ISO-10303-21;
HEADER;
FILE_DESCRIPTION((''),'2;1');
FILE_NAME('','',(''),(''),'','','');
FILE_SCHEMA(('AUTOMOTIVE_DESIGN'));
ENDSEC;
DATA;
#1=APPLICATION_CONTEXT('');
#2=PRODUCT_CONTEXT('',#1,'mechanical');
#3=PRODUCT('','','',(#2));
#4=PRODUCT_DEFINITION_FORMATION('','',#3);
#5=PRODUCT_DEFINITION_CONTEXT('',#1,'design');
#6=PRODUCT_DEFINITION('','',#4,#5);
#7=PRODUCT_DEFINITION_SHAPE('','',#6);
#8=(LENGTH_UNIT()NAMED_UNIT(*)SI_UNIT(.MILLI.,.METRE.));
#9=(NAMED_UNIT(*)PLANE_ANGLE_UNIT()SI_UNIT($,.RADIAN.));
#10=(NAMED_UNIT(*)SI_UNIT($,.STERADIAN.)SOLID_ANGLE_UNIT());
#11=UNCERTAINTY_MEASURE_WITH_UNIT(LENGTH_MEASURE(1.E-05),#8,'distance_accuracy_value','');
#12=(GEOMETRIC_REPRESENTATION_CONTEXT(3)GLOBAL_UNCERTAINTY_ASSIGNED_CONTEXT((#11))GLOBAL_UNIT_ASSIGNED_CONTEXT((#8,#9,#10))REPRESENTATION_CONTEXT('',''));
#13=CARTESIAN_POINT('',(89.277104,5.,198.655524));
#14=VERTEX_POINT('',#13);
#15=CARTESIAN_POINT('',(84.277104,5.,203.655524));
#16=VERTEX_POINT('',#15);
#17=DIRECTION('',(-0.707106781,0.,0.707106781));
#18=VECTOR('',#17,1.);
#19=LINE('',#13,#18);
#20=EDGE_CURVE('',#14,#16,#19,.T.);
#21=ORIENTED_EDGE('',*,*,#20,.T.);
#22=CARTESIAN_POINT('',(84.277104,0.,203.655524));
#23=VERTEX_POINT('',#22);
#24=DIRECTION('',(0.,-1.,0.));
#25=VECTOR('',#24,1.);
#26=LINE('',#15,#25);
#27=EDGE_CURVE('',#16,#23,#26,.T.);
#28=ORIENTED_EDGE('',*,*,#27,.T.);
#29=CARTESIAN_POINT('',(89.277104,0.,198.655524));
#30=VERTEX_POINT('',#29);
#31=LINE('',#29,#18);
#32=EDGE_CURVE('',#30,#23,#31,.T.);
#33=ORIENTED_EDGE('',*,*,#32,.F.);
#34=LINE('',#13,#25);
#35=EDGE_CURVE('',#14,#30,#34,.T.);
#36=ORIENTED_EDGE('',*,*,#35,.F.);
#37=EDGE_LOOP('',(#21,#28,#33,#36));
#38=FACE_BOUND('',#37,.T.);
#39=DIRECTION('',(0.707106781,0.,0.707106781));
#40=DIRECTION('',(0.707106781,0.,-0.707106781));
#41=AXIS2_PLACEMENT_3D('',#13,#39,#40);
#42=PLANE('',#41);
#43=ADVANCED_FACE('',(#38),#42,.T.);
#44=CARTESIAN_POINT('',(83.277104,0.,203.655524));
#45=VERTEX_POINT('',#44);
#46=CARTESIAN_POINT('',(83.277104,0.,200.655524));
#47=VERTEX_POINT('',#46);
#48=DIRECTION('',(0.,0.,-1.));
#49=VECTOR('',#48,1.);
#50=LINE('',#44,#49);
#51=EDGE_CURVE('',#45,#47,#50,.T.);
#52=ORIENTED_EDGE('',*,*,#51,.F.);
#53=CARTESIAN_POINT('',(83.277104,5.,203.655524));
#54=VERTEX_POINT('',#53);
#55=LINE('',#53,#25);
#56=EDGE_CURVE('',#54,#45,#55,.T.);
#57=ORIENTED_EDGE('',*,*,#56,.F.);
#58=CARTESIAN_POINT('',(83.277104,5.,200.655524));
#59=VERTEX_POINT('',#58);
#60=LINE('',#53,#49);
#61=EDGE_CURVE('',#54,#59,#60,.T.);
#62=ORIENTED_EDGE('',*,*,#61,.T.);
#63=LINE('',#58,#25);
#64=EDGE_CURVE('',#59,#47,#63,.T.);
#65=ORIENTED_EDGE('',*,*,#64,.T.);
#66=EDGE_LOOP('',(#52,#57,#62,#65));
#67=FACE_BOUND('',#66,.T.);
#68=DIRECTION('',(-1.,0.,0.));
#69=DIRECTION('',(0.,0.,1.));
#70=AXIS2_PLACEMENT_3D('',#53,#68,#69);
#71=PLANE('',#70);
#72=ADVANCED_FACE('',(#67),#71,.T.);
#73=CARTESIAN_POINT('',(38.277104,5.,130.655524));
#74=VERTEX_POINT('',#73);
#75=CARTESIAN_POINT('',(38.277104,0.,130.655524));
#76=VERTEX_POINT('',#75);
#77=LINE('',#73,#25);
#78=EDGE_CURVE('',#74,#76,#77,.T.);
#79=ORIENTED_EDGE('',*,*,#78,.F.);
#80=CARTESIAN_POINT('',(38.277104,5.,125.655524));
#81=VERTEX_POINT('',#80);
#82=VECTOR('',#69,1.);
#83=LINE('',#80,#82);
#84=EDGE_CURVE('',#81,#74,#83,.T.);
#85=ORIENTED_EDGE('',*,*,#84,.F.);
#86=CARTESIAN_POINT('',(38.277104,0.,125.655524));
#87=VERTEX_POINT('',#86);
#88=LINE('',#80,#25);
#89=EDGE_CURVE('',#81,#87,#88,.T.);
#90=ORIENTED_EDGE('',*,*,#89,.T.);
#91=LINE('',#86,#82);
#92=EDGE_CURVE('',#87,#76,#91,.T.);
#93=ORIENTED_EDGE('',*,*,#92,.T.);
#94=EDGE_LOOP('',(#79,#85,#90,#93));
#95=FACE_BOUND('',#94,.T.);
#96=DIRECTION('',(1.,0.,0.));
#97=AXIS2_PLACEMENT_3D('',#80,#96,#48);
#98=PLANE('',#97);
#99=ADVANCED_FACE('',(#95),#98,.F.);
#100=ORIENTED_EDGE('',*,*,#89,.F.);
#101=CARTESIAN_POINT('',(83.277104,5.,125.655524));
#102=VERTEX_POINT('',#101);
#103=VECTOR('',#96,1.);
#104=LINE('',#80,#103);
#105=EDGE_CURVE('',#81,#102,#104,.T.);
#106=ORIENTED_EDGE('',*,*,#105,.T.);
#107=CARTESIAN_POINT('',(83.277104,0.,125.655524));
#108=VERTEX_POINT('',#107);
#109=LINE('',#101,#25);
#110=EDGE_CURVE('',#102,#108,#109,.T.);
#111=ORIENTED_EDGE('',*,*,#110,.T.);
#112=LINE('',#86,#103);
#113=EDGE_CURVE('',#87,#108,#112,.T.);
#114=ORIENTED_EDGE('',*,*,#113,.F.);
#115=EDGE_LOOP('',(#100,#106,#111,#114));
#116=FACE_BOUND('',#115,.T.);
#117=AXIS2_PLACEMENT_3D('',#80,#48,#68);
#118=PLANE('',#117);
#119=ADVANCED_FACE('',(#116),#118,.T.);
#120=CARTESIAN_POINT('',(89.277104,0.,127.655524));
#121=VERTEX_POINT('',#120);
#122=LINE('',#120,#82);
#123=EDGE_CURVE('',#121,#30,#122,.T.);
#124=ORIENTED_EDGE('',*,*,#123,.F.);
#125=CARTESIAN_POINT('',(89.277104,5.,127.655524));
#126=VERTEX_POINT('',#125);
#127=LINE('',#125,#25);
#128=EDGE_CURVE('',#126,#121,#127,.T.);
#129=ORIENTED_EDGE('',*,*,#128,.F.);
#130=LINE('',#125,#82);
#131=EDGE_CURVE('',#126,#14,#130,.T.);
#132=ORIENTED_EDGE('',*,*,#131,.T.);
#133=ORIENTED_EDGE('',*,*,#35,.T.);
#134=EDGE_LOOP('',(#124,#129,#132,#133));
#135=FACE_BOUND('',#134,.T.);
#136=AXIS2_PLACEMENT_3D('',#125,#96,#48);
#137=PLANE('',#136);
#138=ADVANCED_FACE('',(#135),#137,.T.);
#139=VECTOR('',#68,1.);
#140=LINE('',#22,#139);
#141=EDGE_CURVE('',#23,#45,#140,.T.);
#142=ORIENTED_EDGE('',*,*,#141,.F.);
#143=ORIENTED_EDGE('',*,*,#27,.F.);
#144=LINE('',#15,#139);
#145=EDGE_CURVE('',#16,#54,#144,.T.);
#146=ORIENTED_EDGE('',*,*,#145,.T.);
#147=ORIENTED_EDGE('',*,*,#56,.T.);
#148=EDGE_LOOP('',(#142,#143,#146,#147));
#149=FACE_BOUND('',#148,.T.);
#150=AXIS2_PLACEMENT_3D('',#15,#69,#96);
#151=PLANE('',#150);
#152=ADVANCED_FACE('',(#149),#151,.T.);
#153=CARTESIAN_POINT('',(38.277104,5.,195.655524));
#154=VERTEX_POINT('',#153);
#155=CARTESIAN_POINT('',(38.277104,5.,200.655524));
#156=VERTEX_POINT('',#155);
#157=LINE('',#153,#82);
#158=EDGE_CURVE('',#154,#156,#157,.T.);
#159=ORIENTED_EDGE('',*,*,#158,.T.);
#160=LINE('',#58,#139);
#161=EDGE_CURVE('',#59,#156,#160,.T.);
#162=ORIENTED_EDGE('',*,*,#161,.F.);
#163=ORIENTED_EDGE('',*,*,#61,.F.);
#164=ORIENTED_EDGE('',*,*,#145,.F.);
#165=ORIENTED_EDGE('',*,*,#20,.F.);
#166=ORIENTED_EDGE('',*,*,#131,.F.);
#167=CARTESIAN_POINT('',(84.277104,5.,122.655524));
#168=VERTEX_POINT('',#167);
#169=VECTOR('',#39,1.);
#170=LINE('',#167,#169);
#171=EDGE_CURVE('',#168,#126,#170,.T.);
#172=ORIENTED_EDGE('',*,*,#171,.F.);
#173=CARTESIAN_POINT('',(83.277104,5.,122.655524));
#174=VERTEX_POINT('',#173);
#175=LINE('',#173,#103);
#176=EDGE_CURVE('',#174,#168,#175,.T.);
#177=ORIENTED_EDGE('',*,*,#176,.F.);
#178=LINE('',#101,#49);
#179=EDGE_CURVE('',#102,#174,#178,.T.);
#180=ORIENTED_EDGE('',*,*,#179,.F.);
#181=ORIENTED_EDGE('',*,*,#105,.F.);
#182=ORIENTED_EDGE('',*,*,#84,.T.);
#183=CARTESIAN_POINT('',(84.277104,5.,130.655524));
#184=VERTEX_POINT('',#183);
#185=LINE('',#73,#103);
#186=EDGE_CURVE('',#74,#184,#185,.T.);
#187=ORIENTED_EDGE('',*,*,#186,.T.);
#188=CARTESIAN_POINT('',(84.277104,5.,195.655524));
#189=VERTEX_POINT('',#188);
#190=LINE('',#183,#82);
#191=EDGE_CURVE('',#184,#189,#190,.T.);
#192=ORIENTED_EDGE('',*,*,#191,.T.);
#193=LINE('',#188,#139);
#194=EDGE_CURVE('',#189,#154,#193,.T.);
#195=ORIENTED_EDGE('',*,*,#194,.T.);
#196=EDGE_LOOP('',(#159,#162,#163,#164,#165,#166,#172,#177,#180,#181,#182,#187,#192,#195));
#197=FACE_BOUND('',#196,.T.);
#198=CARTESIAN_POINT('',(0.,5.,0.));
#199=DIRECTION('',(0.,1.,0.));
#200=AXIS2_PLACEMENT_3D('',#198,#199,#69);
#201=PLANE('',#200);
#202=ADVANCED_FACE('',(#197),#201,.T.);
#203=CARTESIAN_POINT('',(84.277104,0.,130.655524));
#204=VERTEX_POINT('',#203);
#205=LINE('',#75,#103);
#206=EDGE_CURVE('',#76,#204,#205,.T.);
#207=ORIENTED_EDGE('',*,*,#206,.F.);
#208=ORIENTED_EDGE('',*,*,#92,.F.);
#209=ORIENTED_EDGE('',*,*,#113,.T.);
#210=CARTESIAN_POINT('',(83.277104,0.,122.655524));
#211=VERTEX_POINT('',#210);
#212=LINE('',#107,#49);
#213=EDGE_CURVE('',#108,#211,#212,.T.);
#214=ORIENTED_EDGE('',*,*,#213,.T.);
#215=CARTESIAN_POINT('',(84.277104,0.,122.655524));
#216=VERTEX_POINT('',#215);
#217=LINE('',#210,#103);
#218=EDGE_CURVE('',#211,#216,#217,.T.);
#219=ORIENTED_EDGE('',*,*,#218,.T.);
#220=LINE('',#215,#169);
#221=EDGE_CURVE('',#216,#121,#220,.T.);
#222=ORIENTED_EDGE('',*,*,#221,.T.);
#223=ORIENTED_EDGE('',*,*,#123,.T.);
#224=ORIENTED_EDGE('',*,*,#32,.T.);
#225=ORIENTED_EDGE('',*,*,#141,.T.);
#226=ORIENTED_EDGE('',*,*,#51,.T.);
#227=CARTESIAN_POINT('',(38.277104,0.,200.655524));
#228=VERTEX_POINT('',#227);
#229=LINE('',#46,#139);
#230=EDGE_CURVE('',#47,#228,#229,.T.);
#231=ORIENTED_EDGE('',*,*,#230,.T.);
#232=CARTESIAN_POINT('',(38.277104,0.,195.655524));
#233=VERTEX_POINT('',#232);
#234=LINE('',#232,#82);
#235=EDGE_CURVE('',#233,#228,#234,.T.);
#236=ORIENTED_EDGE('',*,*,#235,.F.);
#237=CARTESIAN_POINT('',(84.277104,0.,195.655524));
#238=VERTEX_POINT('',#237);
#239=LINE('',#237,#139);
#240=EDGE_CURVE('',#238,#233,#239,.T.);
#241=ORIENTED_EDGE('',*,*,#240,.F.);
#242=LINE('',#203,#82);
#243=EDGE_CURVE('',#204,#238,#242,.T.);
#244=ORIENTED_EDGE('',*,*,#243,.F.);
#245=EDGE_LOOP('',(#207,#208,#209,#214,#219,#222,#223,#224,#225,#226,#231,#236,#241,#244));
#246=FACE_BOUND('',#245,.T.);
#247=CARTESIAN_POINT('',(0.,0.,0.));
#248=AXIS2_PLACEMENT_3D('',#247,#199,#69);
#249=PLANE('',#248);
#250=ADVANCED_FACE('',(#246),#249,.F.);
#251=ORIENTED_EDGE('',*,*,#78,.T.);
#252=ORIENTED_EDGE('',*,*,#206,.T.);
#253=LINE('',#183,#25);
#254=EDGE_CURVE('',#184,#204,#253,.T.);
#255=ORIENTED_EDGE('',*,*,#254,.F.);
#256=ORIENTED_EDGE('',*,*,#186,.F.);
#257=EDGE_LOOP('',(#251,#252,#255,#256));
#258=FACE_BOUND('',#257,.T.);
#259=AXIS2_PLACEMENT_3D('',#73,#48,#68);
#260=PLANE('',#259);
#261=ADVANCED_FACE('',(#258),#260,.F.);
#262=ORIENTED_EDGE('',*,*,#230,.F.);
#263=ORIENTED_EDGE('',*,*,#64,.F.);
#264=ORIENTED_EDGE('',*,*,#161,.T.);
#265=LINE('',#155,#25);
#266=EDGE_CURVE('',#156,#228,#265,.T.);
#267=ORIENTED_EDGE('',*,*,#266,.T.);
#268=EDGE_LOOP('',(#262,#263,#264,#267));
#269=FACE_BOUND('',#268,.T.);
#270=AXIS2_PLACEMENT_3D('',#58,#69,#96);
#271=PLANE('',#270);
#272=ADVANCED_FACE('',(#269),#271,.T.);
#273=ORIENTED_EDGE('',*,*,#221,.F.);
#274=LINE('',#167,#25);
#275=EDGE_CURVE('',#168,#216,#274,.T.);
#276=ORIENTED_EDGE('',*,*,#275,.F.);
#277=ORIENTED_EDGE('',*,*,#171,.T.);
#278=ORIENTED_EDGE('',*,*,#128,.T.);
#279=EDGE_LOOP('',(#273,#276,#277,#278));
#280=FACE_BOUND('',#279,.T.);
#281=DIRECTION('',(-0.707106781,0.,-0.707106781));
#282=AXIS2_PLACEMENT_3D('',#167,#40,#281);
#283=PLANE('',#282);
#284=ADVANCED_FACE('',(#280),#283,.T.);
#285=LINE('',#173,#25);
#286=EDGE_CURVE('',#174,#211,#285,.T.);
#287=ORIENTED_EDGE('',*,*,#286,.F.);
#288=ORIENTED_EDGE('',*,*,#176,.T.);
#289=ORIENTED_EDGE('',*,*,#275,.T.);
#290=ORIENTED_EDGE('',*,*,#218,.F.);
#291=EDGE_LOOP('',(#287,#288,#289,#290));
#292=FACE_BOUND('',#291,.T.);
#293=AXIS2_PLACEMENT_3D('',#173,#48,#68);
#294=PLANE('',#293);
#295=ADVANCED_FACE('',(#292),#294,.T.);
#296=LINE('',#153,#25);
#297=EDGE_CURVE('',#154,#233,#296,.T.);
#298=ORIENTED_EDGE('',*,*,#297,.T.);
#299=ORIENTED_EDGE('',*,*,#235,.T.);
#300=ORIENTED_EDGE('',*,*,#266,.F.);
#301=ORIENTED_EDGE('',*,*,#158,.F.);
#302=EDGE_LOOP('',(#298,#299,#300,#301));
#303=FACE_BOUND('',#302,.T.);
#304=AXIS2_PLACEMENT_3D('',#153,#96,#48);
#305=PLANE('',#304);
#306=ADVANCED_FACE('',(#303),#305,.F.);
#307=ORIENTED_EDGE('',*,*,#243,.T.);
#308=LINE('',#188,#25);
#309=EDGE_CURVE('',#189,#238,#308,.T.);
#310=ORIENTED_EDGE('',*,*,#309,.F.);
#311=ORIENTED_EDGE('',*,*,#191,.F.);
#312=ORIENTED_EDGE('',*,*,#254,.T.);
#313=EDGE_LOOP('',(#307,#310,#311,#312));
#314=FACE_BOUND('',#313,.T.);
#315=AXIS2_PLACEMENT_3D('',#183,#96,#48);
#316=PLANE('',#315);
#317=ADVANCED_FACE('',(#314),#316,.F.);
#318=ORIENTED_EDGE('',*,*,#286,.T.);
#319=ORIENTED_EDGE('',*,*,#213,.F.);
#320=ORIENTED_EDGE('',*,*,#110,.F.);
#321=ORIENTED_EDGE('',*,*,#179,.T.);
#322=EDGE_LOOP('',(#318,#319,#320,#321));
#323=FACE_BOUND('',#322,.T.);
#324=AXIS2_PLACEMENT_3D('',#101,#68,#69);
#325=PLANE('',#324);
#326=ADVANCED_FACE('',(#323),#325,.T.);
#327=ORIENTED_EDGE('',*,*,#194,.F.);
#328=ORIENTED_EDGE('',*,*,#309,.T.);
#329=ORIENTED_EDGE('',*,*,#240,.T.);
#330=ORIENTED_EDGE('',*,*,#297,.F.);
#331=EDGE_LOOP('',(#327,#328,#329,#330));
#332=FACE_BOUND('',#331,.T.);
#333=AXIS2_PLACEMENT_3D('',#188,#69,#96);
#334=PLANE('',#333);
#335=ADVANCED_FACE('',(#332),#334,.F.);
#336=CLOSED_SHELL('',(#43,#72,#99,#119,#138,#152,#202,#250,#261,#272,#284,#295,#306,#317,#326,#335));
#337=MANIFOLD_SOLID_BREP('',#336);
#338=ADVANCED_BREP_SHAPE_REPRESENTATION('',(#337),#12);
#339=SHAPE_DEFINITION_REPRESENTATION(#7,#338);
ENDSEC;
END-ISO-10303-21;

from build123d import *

# Parameters (mm, degrees)
BOSS_EXTRUDE1_DEPTH = 5


with BuildPart() as part:
    # Sketch1 → Boss-Extrude1 (new body)
    with BuildSketch(Plane(origin=(0, 0, 0), x_dir=(1, 0, 0), z_dir=(0, 1, 0))):
        Polygon((38.277103845, -125.655523587), (83.277103845, -125.655523587), (83.277103845, -122.655523587), (84.277103845, -122.655523587), (89.277103845, -127.655523587), (89.277103845, -198.655523587), (84.277103845, -203.655523587), (83.277103845, -203.655523587), (83.277103845, -200.655523587), (38.277103845, -200.655523587), (38.277103845, -195.655523587), (84.277103845, -195.655523587), (84.277103845, -130.655523587), (38.277103845, -130.655523587), align=None)
    extrude(amount=BOSS_EXTRUDE1_DEPTH)


solid = part.part
